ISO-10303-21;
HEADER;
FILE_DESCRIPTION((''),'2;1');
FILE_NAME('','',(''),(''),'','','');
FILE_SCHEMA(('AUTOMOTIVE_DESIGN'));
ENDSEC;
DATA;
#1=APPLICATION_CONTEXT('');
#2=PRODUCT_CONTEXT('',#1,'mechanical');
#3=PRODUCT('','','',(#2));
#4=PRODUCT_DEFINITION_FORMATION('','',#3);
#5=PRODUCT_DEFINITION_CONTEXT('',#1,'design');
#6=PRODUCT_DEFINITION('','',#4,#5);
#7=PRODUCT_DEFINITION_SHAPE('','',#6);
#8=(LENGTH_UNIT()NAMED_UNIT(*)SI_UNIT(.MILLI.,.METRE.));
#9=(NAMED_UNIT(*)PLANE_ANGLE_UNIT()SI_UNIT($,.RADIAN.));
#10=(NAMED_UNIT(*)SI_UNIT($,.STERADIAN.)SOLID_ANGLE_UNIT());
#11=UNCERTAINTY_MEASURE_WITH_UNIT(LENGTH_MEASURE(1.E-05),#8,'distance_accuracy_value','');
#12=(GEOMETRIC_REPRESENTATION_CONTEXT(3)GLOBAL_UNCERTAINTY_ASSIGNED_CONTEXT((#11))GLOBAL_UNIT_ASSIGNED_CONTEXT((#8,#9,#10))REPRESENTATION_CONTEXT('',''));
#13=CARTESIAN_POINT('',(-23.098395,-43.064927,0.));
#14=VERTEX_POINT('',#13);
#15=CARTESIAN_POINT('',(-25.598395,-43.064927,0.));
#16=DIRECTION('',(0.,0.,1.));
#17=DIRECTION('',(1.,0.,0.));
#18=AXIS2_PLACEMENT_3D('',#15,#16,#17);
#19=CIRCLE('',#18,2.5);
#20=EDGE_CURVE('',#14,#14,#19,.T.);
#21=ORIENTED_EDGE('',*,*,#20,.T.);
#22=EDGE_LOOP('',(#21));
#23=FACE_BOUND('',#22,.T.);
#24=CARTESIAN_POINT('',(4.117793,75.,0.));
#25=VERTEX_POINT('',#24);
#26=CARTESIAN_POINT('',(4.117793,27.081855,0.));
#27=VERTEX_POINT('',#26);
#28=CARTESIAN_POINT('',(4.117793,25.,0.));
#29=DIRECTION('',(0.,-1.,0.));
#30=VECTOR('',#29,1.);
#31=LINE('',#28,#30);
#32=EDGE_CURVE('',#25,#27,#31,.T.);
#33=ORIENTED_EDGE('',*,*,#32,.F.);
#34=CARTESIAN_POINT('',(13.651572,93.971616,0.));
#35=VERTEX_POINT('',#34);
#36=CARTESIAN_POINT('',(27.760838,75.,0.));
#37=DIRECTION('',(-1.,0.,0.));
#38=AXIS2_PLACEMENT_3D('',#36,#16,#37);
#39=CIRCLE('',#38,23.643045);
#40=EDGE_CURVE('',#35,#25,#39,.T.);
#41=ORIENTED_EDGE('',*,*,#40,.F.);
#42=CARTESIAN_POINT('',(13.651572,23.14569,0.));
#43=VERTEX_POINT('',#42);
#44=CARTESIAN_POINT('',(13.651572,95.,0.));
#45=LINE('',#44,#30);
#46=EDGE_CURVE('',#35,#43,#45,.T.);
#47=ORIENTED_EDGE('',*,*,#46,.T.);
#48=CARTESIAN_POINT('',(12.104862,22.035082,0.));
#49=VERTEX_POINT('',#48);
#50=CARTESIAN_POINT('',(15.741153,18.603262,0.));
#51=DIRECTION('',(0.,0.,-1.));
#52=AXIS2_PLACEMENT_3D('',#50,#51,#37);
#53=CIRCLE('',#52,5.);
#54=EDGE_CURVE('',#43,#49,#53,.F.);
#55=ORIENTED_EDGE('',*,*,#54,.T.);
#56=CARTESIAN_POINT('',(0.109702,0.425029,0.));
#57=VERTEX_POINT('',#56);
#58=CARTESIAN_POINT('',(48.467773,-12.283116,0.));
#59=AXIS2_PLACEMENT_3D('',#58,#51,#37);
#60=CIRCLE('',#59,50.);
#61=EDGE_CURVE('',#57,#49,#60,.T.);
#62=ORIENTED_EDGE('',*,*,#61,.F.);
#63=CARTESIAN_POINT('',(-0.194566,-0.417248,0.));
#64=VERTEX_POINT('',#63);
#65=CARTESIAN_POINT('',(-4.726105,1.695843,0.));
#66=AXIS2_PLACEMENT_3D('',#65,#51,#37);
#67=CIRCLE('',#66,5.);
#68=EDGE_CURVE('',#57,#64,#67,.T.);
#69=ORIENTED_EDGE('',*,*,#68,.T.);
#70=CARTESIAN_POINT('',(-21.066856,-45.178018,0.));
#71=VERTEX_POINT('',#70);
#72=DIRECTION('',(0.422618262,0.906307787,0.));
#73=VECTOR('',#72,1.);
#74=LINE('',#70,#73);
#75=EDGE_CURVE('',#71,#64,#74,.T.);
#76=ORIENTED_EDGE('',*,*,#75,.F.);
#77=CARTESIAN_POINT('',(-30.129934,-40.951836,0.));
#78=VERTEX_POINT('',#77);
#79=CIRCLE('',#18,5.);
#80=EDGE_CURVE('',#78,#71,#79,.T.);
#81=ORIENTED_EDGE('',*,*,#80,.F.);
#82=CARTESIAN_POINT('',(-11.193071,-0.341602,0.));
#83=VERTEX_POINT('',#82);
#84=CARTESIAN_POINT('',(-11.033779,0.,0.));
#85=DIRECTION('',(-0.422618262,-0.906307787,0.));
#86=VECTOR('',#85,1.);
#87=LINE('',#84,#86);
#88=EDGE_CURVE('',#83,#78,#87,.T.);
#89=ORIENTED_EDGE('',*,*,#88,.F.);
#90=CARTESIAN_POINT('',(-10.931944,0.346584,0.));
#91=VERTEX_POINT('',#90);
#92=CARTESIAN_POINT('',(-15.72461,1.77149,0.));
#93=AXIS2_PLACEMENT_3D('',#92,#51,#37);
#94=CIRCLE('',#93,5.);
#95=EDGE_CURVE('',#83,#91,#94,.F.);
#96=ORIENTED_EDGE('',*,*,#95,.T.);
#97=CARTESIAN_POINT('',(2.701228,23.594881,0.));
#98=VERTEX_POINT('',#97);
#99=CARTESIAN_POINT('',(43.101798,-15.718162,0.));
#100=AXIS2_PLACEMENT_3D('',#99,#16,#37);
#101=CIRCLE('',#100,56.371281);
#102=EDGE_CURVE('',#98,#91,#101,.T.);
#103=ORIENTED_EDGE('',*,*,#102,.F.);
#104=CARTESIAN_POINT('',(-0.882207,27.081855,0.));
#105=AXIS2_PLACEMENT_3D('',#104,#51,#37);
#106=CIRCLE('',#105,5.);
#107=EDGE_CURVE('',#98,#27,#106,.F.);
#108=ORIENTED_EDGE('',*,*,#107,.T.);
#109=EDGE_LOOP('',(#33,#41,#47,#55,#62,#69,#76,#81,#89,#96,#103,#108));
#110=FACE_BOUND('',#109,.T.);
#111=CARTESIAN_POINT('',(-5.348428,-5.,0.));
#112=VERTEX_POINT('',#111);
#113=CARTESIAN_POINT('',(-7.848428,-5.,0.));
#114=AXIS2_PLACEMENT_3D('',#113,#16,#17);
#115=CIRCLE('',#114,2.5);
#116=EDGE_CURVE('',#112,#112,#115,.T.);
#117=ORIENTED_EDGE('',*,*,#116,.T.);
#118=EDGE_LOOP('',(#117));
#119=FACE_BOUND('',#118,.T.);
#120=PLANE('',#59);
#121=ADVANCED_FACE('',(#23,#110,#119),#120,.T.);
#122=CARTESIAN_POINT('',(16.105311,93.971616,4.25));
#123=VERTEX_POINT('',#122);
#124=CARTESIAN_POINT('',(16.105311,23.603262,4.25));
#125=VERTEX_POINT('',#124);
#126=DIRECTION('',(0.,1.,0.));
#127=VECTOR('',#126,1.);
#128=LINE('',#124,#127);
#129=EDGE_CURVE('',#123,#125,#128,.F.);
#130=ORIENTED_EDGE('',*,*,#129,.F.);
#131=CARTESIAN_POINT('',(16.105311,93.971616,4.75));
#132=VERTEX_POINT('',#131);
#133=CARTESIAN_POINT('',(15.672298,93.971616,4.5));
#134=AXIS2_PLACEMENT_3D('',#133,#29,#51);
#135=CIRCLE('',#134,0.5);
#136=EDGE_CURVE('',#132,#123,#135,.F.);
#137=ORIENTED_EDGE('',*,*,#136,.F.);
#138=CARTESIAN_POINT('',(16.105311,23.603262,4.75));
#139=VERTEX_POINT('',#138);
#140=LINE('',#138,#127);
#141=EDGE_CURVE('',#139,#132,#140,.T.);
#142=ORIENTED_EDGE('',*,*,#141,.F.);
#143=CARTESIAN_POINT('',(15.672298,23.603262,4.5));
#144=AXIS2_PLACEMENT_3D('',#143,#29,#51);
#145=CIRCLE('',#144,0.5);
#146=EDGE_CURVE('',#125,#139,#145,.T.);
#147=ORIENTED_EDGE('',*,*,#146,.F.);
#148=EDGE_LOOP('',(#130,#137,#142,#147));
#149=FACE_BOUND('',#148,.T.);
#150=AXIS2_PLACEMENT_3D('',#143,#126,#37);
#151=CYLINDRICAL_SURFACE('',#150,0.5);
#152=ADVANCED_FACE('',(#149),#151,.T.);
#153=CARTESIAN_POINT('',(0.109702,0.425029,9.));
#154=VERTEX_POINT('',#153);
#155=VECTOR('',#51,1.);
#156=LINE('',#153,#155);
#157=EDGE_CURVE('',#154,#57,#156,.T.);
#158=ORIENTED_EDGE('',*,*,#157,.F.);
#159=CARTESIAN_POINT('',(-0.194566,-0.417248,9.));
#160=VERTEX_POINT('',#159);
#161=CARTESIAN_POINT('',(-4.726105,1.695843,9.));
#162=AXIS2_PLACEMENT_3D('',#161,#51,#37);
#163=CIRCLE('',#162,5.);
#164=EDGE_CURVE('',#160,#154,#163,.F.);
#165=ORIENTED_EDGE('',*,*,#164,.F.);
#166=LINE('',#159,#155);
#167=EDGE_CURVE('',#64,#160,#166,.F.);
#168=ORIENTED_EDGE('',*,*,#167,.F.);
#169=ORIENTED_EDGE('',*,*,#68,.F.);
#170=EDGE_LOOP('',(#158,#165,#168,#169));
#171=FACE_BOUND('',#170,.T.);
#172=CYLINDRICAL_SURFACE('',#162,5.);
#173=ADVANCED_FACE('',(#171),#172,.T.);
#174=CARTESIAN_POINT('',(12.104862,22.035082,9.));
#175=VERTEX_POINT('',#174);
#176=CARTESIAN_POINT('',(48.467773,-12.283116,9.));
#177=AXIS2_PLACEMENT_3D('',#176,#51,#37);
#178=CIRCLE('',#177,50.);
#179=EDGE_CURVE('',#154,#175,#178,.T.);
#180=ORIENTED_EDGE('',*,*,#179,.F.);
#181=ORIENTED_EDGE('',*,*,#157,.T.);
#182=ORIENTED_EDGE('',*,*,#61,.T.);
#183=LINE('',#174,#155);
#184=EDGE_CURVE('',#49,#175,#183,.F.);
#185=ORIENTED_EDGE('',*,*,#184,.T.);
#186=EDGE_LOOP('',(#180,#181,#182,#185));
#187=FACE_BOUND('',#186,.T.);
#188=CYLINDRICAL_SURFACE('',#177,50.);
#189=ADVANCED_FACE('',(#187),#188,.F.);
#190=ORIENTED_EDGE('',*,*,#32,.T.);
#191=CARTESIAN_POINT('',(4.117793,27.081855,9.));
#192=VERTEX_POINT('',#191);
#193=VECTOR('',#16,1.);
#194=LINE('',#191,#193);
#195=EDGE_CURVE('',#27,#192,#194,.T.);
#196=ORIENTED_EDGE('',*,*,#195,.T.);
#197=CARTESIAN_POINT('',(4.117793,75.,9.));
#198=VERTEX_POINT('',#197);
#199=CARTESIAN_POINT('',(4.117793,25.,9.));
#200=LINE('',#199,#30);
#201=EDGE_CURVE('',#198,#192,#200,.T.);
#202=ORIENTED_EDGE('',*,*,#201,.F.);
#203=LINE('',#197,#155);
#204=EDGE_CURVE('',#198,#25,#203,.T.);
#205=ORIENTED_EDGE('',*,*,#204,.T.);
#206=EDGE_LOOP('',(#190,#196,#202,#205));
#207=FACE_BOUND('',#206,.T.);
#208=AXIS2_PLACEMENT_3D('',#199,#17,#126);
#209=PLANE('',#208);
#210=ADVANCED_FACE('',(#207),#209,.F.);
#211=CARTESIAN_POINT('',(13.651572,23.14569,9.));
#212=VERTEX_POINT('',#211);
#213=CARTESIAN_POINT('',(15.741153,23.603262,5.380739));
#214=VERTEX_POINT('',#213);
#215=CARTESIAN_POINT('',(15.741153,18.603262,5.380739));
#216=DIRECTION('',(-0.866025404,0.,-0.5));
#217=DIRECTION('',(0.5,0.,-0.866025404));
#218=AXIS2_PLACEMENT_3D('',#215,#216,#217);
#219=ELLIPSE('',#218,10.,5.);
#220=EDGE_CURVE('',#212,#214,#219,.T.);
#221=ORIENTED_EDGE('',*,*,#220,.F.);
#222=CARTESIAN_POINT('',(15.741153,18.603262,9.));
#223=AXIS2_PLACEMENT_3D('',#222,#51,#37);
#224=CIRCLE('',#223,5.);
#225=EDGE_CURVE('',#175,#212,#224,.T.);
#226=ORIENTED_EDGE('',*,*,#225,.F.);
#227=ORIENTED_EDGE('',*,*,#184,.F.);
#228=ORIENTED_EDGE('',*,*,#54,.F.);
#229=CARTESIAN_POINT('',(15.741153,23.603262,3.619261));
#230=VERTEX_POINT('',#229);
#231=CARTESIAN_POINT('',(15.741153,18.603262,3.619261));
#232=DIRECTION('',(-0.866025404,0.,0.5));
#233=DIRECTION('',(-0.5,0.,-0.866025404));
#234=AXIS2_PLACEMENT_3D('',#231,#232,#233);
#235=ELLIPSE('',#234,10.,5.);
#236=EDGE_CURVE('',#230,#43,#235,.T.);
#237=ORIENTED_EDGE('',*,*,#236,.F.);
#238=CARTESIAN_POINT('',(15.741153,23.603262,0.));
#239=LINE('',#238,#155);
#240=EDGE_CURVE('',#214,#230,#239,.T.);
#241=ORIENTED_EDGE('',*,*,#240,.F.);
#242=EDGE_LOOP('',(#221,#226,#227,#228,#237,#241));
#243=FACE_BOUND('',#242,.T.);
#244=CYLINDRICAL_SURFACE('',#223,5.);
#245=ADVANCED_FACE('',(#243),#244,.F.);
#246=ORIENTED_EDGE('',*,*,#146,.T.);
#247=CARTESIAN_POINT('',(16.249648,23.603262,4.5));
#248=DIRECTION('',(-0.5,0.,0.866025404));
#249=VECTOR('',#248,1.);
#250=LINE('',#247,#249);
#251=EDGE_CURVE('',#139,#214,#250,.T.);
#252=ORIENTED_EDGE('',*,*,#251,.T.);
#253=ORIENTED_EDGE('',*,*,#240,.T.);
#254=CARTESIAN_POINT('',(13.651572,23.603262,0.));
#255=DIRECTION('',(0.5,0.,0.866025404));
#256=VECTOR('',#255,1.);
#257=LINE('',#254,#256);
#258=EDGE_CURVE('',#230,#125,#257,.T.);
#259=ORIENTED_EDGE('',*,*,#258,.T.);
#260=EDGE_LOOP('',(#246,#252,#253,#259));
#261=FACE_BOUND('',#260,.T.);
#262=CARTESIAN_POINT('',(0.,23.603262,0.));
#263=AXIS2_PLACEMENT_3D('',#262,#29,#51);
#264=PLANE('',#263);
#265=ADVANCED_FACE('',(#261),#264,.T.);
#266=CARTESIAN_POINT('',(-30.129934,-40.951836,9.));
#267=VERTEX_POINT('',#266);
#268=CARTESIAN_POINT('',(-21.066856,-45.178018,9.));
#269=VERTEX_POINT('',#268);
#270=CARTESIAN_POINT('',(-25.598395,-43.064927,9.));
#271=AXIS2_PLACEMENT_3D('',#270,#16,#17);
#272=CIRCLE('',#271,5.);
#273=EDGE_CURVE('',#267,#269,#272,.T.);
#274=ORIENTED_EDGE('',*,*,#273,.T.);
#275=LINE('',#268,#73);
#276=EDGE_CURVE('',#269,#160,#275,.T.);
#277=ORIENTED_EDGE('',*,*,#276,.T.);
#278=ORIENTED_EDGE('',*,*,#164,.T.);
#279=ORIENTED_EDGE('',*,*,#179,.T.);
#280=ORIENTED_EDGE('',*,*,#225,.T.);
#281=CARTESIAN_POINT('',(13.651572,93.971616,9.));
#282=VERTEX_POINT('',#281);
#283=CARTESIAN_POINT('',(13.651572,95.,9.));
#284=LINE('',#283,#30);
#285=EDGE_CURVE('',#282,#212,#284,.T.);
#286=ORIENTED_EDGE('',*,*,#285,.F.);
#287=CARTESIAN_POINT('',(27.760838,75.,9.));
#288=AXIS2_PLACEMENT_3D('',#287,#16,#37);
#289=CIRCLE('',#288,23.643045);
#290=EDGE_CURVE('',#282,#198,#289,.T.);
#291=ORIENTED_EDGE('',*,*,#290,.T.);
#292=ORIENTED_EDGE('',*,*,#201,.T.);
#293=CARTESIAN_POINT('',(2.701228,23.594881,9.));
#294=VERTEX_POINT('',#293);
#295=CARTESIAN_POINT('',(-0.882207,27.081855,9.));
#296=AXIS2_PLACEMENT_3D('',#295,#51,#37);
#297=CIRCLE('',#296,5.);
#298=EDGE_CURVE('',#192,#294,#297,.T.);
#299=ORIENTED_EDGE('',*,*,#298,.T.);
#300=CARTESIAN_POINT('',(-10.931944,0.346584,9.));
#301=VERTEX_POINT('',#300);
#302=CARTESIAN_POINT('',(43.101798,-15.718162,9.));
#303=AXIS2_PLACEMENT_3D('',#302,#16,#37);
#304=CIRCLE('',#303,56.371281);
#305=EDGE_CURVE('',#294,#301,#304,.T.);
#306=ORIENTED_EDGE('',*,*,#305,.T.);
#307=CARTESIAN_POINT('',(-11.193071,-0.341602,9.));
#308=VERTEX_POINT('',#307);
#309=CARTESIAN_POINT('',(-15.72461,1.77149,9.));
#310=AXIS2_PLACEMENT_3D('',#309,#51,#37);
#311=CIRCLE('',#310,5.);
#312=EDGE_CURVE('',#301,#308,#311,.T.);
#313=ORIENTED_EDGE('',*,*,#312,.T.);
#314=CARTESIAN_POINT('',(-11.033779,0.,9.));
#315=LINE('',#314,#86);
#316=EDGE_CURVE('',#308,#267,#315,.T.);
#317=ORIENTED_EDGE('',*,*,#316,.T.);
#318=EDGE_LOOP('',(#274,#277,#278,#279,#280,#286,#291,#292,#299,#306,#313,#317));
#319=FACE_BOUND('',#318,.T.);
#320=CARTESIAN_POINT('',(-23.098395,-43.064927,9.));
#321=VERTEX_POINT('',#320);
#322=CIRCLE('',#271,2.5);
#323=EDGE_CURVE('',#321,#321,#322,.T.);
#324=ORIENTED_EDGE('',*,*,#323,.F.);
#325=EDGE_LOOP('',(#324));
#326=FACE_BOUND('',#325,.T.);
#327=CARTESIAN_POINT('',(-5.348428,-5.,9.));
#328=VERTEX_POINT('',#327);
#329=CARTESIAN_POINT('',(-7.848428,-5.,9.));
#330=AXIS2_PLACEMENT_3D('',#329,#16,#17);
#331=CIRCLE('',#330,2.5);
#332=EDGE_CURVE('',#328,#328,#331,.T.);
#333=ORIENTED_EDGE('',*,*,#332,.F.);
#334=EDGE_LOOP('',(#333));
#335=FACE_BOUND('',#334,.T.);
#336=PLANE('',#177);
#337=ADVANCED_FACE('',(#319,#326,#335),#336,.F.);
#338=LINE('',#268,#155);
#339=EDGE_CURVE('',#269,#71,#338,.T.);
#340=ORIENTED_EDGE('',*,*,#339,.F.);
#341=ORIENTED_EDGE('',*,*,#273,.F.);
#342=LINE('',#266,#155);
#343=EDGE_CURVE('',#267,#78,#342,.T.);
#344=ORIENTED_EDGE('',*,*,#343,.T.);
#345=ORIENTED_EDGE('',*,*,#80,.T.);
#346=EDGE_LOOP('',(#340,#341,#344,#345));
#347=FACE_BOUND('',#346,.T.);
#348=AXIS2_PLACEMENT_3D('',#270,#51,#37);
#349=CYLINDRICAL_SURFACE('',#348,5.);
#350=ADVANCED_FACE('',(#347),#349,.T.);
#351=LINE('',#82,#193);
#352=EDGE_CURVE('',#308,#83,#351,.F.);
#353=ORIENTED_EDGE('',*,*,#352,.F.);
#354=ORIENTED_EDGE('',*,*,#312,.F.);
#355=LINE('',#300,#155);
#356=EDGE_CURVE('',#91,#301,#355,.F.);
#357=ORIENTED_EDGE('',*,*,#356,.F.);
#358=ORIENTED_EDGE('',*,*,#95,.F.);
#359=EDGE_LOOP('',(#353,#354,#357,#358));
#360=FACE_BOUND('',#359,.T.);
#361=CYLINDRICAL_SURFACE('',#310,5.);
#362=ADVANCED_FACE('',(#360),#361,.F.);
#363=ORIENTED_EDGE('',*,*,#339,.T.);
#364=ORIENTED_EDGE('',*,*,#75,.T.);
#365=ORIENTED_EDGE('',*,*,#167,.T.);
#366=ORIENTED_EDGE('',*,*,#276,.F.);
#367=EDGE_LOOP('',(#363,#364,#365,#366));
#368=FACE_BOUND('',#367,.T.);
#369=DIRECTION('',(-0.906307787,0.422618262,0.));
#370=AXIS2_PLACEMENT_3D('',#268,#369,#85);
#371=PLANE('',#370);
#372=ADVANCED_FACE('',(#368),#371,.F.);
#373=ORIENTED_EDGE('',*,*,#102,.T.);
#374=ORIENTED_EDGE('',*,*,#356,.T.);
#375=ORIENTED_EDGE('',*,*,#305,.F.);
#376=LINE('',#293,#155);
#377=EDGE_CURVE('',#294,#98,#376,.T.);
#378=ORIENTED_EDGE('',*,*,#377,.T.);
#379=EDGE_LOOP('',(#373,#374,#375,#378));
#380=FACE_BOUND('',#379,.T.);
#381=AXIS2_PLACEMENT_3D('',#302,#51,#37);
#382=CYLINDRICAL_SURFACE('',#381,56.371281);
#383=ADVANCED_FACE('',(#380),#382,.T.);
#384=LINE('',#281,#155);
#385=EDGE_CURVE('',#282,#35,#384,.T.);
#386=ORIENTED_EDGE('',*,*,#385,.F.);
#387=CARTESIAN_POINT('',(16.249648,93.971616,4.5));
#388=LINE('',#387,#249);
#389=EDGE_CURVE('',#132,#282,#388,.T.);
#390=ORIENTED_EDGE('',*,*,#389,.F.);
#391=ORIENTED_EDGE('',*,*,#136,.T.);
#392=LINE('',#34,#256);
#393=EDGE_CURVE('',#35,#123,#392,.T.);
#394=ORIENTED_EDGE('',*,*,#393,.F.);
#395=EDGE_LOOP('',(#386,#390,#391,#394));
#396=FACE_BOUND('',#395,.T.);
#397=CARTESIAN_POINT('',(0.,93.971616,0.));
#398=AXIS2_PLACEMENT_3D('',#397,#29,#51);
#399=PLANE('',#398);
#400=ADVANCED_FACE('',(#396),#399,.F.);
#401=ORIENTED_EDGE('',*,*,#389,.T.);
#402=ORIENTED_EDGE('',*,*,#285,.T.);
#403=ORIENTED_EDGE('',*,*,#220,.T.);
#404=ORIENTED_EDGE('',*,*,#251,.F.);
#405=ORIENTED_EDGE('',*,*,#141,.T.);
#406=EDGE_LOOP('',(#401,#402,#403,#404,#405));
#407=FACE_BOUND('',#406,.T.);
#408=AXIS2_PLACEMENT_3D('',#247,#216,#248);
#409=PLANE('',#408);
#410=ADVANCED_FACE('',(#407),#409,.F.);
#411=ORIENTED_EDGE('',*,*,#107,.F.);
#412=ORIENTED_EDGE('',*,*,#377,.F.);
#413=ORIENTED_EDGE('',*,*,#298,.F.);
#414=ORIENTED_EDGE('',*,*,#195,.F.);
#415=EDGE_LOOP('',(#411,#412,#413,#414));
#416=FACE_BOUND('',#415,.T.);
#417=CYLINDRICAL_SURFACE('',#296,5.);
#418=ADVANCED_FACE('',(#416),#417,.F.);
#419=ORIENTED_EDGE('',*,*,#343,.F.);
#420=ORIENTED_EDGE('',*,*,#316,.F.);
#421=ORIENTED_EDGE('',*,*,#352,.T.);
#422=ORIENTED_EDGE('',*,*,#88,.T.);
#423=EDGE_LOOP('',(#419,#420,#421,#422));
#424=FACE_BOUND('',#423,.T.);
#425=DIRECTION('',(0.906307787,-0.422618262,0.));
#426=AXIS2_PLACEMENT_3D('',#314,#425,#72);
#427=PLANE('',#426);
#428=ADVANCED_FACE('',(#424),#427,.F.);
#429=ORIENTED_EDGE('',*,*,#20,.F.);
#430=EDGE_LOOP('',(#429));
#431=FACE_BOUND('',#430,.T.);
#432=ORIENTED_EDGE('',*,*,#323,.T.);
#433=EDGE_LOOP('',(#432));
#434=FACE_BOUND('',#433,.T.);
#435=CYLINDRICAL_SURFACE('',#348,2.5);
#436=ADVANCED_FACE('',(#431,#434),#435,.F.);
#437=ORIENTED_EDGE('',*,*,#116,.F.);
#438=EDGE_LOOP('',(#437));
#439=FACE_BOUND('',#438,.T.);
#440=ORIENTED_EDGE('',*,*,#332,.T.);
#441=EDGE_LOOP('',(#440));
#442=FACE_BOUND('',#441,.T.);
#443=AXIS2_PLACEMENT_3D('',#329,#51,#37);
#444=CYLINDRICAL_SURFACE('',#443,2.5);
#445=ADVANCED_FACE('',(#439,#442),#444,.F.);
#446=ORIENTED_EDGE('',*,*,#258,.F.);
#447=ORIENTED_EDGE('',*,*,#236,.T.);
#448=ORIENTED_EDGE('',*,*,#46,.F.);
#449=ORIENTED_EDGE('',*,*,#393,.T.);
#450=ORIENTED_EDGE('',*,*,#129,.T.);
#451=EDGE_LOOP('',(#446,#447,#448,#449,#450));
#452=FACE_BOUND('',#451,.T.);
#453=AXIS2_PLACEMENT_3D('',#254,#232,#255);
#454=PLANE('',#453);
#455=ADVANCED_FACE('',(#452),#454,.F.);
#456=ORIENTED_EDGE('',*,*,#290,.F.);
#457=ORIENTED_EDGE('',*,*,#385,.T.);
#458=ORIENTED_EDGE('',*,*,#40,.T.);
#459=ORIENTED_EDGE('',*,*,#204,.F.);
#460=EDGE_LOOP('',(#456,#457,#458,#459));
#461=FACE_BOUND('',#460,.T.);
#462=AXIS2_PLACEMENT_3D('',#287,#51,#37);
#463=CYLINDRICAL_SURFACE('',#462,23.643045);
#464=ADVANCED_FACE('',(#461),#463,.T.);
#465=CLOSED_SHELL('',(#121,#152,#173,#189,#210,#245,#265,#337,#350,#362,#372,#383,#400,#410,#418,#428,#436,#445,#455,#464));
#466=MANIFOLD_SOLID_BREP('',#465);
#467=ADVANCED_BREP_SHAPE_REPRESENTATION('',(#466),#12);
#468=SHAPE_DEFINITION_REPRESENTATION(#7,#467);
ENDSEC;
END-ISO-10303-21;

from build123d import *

# Parameters (mm, degrees)
SKETCH1_R           = 2.5
BOSS_EXTRUDE1_DEPTH = 9
SKETCH2_W           = 1.5
SKETCH2_H           = 71.396737885
CUT_EXTRUDE1_DEPTH  = 10
BOSS_EXTRUDE2_DEPTH = 70.368354
FILLET1_R           = 0.5
FILLET2_R           = 5


with BuildPart() as part:
    # Sketch1 → Boss-Extrude1 (new body)
    with BuildSketch(Plane.XY):
        with BuildLine():
            Line((-11.03377919, 0), (-30.129933814, -40.951835747))
            ThreePointArc((-30.129933814, -40.951835747), (-27.711486187, -47.596465991), (-21.066855944, -45.178018364))
            Line((-21.066855944, -45.178018364), (0, 0))
            ThreePointArc((0, 0), (5.707925077, 13.632041213), (15.151572114, 25))
            Line((15.151572114, 25), (15.151572114, 95))
            ThreePointArc((15.151572114, 95), (7.05920736, 86.420861211), (4.117792925, 75))
            Line((4.117792925, 75), (4.117792925, 25))
            ThreePointArc((4.117792925, 25), (-5.106750503, 13.499250648), (-11.03377919, 0))
        make_face()
        with Locations((-25.598394879, -43.064927056)):
            Circle(SKETCH1_R, mode=Mode.SUBTRACT)
        with Locations((-7.848427886, -5)):
            Circle(SKETCH1_R, mode=Mode.SUBTRACT)
    extrude(amount=BOSS_EXTRUDE1_DEPTH)

    # Sketch2 → Cut-Extrude1 (cut, through all)
    with BuildSketch(Plane.XY.offset(9)):
        with Locations((14.401572114, 59.301631058)):
            Rectangle(SKETCH2_W, SKETCH2_H)
    extrude(amount=-CUT_EXTRUDE1_DEPTH, mode=Mode.SUBTRACT)

    # Sketch4 → Boss-Extrude2 (add)
    with BuildSketch(Plane(origin=(0, 93.971615681, 0), x_dir=(0, 0, -1), z_dir=(0, -1, 0))):
        Polygon((0, 13.651572114), (-4.5, 16.249648326), (-9, 13.651572114), align=None)
    extrude(amount=BOSS_EXTRUDE2_DEPTH)

    # Fillet1
    fillet1_edges = [part.edges().sort_by_distance(p)[0] for p in [
        (16.249648326, 58.787438681, 4.5),
    ]]
    fillet(fillet1_edges, radius=FILLET1_R)

    # Fillet2
    fillet2_edges = [part.edges().sort_by_distance(p)[0] for p in [
        (0, 0, 4.5),
        (-11.03377919, 0, 4.5),
        (4.117792925, 25, 4.5),
        (13.651572114, 23.603262115, 4.5),
    ]]
    fillet(fillet2_edges, radius=FILLET2_R)


solid = part.part
